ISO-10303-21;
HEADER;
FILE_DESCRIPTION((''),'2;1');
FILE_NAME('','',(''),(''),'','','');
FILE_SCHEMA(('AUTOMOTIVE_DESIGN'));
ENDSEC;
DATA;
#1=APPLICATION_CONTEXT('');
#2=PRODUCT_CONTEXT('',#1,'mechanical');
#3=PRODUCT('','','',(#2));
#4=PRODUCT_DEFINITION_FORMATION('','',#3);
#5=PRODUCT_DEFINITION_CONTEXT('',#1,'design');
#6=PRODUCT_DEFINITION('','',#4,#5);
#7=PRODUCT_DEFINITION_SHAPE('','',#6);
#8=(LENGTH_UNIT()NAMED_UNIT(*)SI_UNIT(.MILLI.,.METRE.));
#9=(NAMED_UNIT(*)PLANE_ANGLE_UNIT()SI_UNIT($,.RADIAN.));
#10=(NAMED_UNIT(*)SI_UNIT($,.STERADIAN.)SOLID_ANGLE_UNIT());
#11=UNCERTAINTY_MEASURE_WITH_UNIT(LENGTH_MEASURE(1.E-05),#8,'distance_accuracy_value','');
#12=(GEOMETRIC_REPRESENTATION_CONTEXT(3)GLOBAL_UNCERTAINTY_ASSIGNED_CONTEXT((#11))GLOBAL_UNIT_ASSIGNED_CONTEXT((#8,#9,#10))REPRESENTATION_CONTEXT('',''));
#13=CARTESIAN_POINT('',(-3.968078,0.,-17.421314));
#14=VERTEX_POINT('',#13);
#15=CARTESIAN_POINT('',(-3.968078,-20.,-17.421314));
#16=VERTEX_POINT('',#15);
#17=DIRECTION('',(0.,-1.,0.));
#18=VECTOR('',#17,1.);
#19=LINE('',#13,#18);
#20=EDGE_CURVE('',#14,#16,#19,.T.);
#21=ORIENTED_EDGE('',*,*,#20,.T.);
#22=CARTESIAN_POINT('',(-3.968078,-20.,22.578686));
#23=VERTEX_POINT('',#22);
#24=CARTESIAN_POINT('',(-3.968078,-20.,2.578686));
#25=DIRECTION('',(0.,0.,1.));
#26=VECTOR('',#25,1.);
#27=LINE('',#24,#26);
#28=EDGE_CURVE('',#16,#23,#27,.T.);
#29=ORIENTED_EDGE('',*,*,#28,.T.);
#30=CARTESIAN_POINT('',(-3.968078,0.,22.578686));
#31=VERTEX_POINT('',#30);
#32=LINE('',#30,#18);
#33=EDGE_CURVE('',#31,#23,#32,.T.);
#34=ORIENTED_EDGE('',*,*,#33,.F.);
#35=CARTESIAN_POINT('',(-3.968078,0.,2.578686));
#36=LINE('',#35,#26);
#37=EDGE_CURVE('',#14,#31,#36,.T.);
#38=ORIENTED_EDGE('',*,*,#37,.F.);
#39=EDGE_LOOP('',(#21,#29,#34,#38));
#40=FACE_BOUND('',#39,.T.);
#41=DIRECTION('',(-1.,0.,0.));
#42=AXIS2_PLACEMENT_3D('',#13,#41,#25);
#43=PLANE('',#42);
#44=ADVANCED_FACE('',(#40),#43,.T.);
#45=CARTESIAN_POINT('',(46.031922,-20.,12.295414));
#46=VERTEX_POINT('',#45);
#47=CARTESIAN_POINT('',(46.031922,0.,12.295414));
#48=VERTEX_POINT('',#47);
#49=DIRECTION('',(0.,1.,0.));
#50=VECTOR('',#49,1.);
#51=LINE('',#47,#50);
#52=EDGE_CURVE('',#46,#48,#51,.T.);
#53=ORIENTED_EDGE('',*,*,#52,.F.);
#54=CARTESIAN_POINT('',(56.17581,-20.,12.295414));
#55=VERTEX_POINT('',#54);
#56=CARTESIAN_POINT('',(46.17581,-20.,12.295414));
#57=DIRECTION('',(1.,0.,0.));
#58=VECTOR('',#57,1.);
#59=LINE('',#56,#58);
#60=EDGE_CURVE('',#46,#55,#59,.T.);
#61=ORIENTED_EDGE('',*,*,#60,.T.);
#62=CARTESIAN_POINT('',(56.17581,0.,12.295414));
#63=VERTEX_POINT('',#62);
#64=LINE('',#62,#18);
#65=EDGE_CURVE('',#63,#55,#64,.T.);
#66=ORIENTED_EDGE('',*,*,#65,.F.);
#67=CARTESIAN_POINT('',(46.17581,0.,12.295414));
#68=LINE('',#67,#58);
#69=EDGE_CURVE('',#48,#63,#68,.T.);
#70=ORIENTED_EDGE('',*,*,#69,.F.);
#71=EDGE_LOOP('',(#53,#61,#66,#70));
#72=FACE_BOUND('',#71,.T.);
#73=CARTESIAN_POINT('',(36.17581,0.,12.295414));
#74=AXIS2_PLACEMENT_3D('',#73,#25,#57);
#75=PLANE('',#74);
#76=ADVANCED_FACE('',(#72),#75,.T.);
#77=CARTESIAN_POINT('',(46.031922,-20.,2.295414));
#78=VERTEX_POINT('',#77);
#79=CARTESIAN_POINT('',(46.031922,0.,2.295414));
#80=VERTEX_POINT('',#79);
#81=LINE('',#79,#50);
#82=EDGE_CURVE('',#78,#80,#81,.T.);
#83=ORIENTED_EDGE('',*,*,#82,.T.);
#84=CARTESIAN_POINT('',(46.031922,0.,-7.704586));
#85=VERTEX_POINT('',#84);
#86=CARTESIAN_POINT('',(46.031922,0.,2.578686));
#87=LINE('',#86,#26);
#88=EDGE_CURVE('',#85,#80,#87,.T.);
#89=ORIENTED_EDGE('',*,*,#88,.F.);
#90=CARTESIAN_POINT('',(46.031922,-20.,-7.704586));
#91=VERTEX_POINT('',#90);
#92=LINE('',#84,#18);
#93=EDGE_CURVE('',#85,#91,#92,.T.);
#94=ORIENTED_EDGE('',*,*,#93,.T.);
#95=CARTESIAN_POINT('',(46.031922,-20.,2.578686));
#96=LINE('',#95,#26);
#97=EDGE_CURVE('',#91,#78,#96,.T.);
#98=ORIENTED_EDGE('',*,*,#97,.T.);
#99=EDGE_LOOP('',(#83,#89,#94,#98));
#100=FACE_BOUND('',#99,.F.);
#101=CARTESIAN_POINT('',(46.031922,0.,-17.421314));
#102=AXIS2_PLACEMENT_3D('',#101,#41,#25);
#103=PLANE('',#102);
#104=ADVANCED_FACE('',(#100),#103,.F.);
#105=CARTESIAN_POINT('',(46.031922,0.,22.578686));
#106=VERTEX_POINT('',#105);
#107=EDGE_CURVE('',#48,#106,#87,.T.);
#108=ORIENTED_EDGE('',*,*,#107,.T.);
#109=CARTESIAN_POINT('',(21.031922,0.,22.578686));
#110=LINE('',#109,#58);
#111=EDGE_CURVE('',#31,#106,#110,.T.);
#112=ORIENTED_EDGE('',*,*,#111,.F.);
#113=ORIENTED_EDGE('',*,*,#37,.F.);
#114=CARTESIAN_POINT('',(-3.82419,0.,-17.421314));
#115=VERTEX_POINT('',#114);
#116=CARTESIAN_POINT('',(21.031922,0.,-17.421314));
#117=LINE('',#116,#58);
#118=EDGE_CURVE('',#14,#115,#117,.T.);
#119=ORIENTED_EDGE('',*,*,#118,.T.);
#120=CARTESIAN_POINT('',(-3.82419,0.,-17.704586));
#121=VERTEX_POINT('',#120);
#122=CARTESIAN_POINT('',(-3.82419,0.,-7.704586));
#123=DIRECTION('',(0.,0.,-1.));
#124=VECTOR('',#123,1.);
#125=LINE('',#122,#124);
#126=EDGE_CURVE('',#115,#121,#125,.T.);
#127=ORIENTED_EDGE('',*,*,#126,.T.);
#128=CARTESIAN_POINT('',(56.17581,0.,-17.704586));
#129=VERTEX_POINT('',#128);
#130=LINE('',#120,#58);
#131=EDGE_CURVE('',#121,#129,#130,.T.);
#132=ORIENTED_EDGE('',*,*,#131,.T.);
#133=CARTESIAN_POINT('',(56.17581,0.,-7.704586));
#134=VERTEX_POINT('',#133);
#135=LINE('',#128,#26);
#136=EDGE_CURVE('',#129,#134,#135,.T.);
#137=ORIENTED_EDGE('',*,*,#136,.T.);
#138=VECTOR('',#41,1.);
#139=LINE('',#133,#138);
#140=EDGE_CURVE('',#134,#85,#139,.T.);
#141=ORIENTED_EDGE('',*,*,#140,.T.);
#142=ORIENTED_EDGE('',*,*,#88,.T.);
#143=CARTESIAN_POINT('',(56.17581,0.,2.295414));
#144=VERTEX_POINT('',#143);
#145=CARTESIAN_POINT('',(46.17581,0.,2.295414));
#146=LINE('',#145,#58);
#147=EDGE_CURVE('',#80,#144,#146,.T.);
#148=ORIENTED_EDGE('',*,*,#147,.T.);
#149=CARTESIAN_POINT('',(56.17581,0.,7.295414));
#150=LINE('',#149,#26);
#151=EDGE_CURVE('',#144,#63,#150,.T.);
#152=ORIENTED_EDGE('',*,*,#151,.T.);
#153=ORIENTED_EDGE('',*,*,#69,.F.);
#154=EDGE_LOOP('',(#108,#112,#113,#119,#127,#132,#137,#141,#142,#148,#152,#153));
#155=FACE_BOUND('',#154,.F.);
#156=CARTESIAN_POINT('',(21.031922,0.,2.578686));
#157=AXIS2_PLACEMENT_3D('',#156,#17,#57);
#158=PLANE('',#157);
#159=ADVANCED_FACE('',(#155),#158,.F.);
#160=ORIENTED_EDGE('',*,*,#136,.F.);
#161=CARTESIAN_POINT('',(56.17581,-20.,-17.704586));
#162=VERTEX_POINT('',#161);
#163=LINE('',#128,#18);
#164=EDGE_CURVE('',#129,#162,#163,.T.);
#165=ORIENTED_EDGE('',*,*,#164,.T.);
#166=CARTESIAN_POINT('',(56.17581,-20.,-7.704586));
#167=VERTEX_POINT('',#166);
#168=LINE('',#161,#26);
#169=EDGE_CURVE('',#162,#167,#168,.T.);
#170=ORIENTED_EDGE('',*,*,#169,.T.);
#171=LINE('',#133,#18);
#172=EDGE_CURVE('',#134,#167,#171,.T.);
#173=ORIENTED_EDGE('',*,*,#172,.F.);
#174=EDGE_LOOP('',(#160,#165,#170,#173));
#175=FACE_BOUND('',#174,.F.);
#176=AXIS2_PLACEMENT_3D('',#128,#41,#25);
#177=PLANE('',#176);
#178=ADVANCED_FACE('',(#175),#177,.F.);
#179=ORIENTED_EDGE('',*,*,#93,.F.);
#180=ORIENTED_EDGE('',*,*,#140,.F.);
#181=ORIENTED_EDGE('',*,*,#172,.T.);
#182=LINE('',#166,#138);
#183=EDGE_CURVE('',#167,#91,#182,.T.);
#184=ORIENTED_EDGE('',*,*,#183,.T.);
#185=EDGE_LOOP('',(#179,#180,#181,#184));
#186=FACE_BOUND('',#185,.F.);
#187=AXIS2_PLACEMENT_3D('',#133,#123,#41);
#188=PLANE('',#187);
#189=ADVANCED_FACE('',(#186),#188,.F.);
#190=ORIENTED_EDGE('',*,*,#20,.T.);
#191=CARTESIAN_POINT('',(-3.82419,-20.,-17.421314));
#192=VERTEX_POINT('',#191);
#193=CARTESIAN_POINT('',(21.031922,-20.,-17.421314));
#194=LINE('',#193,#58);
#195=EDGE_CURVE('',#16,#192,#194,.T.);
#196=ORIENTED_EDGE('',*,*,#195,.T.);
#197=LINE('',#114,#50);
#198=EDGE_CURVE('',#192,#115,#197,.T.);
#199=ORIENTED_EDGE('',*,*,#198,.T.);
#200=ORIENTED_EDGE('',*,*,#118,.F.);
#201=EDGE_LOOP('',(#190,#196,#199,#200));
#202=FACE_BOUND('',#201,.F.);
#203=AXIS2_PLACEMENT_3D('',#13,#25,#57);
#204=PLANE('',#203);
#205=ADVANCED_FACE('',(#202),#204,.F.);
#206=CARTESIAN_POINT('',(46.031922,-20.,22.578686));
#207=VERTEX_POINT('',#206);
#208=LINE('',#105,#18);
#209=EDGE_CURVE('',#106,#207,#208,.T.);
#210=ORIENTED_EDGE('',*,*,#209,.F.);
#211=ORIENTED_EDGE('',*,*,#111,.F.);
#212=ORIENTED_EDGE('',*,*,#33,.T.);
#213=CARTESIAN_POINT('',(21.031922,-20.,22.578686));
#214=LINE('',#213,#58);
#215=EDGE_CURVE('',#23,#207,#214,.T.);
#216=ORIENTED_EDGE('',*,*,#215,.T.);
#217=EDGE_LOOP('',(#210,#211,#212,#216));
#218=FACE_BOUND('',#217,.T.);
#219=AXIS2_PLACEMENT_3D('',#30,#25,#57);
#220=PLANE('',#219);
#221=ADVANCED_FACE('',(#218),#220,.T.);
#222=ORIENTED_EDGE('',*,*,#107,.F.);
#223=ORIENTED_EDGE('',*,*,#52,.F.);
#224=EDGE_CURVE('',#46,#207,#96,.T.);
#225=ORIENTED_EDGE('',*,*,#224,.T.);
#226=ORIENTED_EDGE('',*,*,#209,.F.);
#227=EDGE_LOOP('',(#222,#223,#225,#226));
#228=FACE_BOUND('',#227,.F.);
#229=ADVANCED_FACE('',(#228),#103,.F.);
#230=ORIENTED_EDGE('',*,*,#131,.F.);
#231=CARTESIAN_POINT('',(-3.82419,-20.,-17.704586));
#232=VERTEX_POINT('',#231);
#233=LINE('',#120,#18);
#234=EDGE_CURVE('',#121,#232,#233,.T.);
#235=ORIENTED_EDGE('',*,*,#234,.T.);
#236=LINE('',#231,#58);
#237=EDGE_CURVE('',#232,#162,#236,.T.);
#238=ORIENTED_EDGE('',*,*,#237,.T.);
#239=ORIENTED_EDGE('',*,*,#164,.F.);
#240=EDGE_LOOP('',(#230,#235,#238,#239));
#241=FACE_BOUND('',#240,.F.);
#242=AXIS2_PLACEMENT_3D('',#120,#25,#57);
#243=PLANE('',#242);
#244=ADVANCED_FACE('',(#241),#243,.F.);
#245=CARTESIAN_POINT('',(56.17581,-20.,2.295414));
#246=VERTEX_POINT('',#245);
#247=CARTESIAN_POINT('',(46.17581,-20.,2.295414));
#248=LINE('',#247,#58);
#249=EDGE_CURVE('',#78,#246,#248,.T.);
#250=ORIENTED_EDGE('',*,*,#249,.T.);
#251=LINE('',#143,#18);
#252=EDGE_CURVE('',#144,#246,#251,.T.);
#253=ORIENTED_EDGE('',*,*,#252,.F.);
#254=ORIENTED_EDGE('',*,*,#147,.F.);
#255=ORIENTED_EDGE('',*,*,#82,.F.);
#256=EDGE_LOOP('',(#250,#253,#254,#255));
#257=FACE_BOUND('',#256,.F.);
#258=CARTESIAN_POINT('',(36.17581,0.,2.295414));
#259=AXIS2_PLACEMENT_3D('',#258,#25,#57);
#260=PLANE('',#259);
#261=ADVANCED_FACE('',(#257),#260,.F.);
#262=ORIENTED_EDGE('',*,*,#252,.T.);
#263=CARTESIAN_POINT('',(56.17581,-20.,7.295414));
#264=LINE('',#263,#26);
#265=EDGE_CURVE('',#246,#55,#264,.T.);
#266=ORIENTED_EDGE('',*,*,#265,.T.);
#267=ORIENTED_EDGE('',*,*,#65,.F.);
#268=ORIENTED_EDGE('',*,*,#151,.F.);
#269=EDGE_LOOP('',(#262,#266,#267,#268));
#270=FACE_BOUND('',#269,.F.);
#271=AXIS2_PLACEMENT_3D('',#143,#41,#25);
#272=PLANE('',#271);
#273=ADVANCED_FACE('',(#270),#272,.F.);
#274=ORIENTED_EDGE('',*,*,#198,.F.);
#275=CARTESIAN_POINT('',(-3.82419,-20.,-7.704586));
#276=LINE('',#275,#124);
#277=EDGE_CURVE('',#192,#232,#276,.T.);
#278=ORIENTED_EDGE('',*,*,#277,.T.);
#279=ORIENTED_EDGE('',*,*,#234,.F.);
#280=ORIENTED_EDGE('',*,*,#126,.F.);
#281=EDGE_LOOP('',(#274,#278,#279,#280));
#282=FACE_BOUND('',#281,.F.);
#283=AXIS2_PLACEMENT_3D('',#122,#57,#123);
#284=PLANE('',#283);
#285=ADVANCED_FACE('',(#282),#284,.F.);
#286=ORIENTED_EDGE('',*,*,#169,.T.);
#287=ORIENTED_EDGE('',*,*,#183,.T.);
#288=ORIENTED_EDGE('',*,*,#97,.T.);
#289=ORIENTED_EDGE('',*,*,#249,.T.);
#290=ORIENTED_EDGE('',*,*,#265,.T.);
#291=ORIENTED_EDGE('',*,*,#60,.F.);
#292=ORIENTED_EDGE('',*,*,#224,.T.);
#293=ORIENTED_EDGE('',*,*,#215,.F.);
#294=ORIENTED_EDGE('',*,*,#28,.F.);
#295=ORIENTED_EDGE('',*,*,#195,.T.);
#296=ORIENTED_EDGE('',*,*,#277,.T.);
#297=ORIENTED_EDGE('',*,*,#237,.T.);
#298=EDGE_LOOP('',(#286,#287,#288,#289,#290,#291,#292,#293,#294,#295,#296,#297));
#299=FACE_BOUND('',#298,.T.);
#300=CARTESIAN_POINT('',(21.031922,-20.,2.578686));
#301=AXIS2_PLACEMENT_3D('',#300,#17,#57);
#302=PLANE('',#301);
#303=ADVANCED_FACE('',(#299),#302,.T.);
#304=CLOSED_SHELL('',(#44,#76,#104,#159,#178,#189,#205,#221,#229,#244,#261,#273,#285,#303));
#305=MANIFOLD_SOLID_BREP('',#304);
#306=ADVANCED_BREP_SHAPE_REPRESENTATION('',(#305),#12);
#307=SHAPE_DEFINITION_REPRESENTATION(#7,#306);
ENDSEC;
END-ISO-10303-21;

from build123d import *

# Parameters (mm, degrees)
F0_W     = 50
F0_H     = 40
F2_DEPTH = 20
F1_W     = 20
F1_H     = 10
F3_DEPTH = 20
F4_DEPTH = 20


with BuildPart() as f2:
    # F0 (on Front) → F2 (new body)
    with BuildSketch(Plane.XZ):
        with Locations((21.031922, 2.578686)):
            Rectangle(F0_W, F0_H)
    extrude(amount=F2_DEPTH)

    # F1 (on Front) → F3 (join)
    with BuildSketch(Plane.XZ):
        with Locations((46.17581, 7.295414)):
            Rectangle(F1_W, F1_H)
    extrude(amount=F3_DEPTH)

    # F1 (on Front) → F4 (join)
    with BuildSketch(Plane.XZ):
        Polygon((36.17581, -7.704586), (-3.82419, -7.704586), (-3.82419, -17.704586), (56.17581, -17.704586), (56.17581, -7.704586), align=None)
    extrude(amount=F4_DEPTH)


solid = f2.part
